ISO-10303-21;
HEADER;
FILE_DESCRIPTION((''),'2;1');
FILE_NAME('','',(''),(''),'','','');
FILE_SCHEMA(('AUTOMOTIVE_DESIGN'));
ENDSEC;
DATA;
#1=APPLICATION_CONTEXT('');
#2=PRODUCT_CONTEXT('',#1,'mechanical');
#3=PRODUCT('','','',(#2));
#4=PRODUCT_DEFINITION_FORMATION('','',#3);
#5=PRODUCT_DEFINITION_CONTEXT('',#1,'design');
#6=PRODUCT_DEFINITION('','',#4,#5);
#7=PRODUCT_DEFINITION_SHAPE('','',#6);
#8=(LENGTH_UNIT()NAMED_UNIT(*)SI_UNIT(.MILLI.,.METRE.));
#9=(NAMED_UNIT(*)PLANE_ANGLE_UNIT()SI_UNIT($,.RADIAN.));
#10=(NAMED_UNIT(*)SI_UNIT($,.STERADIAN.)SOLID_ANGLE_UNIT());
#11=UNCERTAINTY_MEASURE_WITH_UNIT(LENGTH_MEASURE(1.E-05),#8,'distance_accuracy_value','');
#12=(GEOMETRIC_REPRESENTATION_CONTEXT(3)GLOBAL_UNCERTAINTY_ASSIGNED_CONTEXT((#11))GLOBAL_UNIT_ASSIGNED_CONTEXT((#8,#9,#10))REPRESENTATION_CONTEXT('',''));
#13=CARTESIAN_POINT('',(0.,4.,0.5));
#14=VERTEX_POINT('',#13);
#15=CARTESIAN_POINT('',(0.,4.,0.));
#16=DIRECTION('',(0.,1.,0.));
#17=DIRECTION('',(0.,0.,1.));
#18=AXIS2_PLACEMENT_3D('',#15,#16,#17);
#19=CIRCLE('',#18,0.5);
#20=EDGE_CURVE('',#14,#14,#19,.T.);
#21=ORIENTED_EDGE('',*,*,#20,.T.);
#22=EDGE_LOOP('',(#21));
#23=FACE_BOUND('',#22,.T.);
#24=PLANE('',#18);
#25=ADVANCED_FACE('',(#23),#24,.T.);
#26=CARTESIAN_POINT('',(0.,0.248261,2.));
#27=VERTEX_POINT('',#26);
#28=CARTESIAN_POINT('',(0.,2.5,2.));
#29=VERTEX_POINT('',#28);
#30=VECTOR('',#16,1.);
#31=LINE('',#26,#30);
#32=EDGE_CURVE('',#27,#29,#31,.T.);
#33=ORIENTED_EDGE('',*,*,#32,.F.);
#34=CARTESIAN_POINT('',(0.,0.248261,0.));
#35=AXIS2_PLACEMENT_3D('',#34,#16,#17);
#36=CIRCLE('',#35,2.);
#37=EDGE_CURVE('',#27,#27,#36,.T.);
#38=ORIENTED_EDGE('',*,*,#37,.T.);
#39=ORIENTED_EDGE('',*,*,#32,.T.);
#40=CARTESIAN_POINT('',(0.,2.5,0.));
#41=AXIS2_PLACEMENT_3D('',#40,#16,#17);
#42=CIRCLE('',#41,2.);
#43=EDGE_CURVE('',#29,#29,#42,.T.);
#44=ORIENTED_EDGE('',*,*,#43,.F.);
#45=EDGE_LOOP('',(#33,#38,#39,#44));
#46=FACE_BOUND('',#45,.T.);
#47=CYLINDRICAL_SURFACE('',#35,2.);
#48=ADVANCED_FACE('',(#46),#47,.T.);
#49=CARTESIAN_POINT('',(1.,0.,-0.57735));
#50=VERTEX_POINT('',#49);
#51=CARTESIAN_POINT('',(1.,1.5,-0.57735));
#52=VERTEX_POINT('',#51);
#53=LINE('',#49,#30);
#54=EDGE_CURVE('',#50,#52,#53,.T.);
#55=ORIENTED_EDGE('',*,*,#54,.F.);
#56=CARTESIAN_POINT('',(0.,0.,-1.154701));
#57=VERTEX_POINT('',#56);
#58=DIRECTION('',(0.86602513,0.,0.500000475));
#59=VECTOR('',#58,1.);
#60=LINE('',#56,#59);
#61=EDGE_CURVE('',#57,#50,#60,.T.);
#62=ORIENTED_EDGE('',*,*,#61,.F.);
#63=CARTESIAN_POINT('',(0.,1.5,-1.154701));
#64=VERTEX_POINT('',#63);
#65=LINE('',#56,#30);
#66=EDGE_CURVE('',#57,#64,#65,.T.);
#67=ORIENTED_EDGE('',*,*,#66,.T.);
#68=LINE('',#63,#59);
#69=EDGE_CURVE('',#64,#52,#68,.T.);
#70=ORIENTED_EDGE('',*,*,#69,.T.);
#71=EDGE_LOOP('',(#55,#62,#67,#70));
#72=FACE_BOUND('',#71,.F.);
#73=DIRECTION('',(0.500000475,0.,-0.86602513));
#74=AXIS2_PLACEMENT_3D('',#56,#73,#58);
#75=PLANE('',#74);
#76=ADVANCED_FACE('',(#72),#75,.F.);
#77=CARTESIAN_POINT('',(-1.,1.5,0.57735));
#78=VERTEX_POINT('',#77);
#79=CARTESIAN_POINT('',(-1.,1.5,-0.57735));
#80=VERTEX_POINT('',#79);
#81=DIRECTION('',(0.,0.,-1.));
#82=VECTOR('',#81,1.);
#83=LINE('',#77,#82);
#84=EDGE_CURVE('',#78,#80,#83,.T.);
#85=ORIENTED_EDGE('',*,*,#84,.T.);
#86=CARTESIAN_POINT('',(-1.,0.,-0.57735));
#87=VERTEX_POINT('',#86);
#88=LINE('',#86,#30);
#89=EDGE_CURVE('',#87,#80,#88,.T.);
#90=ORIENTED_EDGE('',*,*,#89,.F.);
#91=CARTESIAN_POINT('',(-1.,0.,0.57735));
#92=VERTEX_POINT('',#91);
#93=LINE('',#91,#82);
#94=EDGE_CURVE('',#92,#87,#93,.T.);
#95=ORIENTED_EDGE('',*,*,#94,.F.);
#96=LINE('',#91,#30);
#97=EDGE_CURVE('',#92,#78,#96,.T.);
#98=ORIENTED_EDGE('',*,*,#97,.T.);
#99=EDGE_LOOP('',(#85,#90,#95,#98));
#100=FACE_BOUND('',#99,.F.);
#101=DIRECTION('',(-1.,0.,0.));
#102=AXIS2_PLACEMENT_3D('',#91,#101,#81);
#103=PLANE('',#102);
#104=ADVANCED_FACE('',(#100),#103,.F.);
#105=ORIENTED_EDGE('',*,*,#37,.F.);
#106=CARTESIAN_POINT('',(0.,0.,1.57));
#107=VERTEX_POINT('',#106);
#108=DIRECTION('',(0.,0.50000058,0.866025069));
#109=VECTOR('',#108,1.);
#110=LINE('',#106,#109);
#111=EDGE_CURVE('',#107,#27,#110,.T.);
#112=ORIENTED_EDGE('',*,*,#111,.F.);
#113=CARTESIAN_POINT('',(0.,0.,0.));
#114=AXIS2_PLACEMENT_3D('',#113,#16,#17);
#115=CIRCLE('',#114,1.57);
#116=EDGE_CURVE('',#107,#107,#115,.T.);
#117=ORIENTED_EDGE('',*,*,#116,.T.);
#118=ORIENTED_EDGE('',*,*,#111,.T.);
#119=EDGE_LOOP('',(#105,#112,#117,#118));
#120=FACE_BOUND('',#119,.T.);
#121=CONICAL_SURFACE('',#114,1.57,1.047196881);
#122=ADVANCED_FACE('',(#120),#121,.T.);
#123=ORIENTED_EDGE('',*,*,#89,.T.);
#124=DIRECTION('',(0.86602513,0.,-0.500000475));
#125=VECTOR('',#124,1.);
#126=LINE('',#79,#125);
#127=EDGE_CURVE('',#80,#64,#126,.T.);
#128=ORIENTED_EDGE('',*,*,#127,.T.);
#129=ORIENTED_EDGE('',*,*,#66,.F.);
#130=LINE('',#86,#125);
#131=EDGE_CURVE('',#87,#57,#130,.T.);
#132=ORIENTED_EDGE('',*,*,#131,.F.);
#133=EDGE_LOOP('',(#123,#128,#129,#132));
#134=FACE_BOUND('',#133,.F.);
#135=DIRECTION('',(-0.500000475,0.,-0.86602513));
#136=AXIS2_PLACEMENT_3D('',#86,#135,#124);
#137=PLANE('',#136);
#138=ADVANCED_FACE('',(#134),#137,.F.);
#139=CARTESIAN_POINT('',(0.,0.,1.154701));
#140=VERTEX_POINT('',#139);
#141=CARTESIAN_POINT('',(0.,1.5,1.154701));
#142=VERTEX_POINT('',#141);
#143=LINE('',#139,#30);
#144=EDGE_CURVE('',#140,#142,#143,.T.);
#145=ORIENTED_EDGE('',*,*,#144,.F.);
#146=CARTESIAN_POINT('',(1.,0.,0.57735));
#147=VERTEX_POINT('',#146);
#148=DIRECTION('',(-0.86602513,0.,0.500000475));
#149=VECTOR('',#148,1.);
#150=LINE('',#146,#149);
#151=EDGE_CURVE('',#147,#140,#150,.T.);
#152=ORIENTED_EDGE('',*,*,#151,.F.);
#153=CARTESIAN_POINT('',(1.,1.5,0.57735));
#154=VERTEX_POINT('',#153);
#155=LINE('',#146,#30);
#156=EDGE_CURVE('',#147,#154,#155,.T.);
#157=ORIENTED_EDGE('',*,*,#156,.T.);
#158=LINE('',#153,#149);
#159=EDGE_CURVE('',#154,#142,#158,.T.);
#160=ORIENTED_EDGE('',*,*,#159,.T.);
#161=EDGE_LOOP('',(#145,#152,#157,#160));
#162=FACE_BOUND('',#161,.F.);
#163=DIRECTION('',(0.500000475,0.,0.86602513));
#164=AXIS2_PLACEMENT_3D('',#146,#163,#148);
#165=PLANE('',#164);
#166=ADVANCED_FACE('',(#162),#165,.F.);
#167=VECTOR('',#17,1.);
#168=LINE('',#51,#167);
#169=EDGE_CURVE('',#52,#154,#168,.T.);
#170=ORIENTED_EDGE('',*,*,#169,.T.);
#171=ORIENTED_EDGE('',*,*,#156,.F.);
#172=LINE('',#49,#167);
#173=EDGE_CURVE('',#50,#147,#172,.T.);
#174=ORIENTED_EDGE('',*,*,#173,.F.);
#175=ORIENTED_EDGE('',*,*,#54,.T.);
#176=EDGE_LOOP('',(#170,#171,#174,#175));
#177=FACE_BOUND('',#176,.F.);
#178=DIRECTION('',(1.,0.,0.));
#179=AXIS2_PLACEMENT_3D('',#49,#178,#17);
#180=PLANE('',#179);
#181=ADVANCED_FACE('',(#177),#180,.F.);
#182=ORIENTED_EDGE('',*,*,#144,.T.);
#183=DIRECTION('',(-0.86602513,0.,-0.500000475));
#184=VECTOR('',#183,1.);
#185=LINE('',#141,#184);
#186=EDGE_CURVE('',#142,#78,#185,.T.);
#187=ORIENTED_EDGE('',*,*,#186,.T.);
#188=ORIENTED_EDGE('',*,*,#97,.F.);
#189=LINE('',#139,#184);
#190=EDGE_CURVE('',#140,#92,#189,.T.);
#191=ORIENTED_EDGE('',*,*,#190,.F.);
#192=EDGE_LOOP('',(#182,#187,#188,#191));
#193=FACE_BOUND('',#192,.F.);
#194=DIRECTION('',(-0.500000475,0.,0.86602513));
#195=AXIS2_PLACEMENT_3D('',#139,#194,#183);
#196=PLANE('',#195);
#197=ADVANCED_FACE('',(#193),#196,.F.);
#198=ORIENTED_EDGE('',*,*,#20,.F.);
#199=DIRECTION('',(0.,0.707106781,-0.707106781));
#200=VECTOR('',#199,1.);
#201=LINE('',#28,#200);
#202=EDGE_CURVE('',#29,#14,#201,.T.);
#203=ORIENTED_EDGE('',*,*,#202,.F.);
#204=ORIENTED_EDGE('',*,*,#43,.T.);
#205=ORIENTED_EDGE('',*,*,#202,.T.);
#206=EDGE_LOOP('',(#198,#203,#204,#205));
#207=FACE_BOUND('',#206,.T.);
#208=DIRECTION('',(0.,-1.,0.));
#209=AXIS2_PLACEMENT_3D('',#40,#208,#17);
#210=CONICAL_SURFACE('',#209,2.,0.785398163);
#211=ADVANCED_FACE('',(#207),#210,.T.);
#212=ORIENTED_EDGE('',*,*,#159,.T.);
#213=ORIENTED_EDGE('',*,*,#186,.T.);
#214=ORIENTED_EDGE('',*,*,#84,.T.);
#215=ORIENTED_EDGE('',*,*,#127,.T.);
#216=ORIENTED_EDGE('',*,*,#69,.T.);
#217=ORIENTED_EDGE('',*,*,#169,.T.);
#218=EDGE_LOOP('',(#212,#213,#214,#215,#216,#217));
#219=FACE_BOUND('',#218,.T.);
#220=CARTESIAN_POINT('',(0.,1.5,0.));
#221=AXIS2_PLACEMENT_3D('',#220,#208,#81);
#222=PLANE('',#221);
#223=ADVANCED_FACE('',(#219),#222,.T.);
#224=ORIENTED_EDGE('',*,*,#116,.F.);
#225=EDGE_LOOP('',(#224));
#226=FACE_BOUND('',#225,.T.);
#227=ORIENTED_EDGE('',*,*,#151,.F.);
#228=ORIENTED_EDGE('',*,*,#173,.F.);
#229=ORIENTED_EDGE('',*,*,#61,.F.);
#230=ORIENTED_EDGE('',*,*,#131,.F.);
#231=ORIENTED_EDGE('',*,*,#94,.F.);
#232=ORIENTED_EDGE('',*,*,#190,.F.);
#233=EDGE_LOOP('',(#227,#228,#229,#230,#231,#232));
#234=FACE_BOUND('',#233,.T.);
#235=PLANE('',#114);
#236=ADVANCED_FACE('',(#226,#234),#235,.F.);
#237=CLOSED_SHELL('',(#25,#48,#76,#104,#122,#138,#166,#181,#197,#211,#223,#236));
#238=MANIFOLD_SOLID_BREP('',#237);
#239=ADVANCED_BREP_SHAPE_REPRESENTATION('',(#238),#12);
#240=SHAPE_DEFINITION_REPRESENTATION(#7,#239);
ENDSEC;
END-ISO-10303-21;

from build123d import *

# Parameters (mm, degrees)
POCKET_DEPTH = 1.5


with BuildPart() as part:
    # Sketch → Revolution (revolve)
    with BuildSketch(Plane.YZ):
        Polygon((0, 0), (0, 1.57), (0.248261, 2), (2.5, 2), (4, 0.5), (4, 0), align=None)
    revolve(axis=Axis((0, 0, 0), (0, 1, 0)))

    # Sketch001 → Pocket (cut)
    with BuildSketch(Plane(origin=(0, 0, 0), x_dir=(0, 0, -1), z_dir=(0, -1, 0))):
        Polygon((-0.57735, -1), (0.57735, -1), (1.154701, 0), (0.57735, 1), (-0.57735, 1), (-1.154701, 0), align=None)
    extrude(amount=-POCKET_DEPTH, mode=Mode.SUBTRACT)


solid = part.part
